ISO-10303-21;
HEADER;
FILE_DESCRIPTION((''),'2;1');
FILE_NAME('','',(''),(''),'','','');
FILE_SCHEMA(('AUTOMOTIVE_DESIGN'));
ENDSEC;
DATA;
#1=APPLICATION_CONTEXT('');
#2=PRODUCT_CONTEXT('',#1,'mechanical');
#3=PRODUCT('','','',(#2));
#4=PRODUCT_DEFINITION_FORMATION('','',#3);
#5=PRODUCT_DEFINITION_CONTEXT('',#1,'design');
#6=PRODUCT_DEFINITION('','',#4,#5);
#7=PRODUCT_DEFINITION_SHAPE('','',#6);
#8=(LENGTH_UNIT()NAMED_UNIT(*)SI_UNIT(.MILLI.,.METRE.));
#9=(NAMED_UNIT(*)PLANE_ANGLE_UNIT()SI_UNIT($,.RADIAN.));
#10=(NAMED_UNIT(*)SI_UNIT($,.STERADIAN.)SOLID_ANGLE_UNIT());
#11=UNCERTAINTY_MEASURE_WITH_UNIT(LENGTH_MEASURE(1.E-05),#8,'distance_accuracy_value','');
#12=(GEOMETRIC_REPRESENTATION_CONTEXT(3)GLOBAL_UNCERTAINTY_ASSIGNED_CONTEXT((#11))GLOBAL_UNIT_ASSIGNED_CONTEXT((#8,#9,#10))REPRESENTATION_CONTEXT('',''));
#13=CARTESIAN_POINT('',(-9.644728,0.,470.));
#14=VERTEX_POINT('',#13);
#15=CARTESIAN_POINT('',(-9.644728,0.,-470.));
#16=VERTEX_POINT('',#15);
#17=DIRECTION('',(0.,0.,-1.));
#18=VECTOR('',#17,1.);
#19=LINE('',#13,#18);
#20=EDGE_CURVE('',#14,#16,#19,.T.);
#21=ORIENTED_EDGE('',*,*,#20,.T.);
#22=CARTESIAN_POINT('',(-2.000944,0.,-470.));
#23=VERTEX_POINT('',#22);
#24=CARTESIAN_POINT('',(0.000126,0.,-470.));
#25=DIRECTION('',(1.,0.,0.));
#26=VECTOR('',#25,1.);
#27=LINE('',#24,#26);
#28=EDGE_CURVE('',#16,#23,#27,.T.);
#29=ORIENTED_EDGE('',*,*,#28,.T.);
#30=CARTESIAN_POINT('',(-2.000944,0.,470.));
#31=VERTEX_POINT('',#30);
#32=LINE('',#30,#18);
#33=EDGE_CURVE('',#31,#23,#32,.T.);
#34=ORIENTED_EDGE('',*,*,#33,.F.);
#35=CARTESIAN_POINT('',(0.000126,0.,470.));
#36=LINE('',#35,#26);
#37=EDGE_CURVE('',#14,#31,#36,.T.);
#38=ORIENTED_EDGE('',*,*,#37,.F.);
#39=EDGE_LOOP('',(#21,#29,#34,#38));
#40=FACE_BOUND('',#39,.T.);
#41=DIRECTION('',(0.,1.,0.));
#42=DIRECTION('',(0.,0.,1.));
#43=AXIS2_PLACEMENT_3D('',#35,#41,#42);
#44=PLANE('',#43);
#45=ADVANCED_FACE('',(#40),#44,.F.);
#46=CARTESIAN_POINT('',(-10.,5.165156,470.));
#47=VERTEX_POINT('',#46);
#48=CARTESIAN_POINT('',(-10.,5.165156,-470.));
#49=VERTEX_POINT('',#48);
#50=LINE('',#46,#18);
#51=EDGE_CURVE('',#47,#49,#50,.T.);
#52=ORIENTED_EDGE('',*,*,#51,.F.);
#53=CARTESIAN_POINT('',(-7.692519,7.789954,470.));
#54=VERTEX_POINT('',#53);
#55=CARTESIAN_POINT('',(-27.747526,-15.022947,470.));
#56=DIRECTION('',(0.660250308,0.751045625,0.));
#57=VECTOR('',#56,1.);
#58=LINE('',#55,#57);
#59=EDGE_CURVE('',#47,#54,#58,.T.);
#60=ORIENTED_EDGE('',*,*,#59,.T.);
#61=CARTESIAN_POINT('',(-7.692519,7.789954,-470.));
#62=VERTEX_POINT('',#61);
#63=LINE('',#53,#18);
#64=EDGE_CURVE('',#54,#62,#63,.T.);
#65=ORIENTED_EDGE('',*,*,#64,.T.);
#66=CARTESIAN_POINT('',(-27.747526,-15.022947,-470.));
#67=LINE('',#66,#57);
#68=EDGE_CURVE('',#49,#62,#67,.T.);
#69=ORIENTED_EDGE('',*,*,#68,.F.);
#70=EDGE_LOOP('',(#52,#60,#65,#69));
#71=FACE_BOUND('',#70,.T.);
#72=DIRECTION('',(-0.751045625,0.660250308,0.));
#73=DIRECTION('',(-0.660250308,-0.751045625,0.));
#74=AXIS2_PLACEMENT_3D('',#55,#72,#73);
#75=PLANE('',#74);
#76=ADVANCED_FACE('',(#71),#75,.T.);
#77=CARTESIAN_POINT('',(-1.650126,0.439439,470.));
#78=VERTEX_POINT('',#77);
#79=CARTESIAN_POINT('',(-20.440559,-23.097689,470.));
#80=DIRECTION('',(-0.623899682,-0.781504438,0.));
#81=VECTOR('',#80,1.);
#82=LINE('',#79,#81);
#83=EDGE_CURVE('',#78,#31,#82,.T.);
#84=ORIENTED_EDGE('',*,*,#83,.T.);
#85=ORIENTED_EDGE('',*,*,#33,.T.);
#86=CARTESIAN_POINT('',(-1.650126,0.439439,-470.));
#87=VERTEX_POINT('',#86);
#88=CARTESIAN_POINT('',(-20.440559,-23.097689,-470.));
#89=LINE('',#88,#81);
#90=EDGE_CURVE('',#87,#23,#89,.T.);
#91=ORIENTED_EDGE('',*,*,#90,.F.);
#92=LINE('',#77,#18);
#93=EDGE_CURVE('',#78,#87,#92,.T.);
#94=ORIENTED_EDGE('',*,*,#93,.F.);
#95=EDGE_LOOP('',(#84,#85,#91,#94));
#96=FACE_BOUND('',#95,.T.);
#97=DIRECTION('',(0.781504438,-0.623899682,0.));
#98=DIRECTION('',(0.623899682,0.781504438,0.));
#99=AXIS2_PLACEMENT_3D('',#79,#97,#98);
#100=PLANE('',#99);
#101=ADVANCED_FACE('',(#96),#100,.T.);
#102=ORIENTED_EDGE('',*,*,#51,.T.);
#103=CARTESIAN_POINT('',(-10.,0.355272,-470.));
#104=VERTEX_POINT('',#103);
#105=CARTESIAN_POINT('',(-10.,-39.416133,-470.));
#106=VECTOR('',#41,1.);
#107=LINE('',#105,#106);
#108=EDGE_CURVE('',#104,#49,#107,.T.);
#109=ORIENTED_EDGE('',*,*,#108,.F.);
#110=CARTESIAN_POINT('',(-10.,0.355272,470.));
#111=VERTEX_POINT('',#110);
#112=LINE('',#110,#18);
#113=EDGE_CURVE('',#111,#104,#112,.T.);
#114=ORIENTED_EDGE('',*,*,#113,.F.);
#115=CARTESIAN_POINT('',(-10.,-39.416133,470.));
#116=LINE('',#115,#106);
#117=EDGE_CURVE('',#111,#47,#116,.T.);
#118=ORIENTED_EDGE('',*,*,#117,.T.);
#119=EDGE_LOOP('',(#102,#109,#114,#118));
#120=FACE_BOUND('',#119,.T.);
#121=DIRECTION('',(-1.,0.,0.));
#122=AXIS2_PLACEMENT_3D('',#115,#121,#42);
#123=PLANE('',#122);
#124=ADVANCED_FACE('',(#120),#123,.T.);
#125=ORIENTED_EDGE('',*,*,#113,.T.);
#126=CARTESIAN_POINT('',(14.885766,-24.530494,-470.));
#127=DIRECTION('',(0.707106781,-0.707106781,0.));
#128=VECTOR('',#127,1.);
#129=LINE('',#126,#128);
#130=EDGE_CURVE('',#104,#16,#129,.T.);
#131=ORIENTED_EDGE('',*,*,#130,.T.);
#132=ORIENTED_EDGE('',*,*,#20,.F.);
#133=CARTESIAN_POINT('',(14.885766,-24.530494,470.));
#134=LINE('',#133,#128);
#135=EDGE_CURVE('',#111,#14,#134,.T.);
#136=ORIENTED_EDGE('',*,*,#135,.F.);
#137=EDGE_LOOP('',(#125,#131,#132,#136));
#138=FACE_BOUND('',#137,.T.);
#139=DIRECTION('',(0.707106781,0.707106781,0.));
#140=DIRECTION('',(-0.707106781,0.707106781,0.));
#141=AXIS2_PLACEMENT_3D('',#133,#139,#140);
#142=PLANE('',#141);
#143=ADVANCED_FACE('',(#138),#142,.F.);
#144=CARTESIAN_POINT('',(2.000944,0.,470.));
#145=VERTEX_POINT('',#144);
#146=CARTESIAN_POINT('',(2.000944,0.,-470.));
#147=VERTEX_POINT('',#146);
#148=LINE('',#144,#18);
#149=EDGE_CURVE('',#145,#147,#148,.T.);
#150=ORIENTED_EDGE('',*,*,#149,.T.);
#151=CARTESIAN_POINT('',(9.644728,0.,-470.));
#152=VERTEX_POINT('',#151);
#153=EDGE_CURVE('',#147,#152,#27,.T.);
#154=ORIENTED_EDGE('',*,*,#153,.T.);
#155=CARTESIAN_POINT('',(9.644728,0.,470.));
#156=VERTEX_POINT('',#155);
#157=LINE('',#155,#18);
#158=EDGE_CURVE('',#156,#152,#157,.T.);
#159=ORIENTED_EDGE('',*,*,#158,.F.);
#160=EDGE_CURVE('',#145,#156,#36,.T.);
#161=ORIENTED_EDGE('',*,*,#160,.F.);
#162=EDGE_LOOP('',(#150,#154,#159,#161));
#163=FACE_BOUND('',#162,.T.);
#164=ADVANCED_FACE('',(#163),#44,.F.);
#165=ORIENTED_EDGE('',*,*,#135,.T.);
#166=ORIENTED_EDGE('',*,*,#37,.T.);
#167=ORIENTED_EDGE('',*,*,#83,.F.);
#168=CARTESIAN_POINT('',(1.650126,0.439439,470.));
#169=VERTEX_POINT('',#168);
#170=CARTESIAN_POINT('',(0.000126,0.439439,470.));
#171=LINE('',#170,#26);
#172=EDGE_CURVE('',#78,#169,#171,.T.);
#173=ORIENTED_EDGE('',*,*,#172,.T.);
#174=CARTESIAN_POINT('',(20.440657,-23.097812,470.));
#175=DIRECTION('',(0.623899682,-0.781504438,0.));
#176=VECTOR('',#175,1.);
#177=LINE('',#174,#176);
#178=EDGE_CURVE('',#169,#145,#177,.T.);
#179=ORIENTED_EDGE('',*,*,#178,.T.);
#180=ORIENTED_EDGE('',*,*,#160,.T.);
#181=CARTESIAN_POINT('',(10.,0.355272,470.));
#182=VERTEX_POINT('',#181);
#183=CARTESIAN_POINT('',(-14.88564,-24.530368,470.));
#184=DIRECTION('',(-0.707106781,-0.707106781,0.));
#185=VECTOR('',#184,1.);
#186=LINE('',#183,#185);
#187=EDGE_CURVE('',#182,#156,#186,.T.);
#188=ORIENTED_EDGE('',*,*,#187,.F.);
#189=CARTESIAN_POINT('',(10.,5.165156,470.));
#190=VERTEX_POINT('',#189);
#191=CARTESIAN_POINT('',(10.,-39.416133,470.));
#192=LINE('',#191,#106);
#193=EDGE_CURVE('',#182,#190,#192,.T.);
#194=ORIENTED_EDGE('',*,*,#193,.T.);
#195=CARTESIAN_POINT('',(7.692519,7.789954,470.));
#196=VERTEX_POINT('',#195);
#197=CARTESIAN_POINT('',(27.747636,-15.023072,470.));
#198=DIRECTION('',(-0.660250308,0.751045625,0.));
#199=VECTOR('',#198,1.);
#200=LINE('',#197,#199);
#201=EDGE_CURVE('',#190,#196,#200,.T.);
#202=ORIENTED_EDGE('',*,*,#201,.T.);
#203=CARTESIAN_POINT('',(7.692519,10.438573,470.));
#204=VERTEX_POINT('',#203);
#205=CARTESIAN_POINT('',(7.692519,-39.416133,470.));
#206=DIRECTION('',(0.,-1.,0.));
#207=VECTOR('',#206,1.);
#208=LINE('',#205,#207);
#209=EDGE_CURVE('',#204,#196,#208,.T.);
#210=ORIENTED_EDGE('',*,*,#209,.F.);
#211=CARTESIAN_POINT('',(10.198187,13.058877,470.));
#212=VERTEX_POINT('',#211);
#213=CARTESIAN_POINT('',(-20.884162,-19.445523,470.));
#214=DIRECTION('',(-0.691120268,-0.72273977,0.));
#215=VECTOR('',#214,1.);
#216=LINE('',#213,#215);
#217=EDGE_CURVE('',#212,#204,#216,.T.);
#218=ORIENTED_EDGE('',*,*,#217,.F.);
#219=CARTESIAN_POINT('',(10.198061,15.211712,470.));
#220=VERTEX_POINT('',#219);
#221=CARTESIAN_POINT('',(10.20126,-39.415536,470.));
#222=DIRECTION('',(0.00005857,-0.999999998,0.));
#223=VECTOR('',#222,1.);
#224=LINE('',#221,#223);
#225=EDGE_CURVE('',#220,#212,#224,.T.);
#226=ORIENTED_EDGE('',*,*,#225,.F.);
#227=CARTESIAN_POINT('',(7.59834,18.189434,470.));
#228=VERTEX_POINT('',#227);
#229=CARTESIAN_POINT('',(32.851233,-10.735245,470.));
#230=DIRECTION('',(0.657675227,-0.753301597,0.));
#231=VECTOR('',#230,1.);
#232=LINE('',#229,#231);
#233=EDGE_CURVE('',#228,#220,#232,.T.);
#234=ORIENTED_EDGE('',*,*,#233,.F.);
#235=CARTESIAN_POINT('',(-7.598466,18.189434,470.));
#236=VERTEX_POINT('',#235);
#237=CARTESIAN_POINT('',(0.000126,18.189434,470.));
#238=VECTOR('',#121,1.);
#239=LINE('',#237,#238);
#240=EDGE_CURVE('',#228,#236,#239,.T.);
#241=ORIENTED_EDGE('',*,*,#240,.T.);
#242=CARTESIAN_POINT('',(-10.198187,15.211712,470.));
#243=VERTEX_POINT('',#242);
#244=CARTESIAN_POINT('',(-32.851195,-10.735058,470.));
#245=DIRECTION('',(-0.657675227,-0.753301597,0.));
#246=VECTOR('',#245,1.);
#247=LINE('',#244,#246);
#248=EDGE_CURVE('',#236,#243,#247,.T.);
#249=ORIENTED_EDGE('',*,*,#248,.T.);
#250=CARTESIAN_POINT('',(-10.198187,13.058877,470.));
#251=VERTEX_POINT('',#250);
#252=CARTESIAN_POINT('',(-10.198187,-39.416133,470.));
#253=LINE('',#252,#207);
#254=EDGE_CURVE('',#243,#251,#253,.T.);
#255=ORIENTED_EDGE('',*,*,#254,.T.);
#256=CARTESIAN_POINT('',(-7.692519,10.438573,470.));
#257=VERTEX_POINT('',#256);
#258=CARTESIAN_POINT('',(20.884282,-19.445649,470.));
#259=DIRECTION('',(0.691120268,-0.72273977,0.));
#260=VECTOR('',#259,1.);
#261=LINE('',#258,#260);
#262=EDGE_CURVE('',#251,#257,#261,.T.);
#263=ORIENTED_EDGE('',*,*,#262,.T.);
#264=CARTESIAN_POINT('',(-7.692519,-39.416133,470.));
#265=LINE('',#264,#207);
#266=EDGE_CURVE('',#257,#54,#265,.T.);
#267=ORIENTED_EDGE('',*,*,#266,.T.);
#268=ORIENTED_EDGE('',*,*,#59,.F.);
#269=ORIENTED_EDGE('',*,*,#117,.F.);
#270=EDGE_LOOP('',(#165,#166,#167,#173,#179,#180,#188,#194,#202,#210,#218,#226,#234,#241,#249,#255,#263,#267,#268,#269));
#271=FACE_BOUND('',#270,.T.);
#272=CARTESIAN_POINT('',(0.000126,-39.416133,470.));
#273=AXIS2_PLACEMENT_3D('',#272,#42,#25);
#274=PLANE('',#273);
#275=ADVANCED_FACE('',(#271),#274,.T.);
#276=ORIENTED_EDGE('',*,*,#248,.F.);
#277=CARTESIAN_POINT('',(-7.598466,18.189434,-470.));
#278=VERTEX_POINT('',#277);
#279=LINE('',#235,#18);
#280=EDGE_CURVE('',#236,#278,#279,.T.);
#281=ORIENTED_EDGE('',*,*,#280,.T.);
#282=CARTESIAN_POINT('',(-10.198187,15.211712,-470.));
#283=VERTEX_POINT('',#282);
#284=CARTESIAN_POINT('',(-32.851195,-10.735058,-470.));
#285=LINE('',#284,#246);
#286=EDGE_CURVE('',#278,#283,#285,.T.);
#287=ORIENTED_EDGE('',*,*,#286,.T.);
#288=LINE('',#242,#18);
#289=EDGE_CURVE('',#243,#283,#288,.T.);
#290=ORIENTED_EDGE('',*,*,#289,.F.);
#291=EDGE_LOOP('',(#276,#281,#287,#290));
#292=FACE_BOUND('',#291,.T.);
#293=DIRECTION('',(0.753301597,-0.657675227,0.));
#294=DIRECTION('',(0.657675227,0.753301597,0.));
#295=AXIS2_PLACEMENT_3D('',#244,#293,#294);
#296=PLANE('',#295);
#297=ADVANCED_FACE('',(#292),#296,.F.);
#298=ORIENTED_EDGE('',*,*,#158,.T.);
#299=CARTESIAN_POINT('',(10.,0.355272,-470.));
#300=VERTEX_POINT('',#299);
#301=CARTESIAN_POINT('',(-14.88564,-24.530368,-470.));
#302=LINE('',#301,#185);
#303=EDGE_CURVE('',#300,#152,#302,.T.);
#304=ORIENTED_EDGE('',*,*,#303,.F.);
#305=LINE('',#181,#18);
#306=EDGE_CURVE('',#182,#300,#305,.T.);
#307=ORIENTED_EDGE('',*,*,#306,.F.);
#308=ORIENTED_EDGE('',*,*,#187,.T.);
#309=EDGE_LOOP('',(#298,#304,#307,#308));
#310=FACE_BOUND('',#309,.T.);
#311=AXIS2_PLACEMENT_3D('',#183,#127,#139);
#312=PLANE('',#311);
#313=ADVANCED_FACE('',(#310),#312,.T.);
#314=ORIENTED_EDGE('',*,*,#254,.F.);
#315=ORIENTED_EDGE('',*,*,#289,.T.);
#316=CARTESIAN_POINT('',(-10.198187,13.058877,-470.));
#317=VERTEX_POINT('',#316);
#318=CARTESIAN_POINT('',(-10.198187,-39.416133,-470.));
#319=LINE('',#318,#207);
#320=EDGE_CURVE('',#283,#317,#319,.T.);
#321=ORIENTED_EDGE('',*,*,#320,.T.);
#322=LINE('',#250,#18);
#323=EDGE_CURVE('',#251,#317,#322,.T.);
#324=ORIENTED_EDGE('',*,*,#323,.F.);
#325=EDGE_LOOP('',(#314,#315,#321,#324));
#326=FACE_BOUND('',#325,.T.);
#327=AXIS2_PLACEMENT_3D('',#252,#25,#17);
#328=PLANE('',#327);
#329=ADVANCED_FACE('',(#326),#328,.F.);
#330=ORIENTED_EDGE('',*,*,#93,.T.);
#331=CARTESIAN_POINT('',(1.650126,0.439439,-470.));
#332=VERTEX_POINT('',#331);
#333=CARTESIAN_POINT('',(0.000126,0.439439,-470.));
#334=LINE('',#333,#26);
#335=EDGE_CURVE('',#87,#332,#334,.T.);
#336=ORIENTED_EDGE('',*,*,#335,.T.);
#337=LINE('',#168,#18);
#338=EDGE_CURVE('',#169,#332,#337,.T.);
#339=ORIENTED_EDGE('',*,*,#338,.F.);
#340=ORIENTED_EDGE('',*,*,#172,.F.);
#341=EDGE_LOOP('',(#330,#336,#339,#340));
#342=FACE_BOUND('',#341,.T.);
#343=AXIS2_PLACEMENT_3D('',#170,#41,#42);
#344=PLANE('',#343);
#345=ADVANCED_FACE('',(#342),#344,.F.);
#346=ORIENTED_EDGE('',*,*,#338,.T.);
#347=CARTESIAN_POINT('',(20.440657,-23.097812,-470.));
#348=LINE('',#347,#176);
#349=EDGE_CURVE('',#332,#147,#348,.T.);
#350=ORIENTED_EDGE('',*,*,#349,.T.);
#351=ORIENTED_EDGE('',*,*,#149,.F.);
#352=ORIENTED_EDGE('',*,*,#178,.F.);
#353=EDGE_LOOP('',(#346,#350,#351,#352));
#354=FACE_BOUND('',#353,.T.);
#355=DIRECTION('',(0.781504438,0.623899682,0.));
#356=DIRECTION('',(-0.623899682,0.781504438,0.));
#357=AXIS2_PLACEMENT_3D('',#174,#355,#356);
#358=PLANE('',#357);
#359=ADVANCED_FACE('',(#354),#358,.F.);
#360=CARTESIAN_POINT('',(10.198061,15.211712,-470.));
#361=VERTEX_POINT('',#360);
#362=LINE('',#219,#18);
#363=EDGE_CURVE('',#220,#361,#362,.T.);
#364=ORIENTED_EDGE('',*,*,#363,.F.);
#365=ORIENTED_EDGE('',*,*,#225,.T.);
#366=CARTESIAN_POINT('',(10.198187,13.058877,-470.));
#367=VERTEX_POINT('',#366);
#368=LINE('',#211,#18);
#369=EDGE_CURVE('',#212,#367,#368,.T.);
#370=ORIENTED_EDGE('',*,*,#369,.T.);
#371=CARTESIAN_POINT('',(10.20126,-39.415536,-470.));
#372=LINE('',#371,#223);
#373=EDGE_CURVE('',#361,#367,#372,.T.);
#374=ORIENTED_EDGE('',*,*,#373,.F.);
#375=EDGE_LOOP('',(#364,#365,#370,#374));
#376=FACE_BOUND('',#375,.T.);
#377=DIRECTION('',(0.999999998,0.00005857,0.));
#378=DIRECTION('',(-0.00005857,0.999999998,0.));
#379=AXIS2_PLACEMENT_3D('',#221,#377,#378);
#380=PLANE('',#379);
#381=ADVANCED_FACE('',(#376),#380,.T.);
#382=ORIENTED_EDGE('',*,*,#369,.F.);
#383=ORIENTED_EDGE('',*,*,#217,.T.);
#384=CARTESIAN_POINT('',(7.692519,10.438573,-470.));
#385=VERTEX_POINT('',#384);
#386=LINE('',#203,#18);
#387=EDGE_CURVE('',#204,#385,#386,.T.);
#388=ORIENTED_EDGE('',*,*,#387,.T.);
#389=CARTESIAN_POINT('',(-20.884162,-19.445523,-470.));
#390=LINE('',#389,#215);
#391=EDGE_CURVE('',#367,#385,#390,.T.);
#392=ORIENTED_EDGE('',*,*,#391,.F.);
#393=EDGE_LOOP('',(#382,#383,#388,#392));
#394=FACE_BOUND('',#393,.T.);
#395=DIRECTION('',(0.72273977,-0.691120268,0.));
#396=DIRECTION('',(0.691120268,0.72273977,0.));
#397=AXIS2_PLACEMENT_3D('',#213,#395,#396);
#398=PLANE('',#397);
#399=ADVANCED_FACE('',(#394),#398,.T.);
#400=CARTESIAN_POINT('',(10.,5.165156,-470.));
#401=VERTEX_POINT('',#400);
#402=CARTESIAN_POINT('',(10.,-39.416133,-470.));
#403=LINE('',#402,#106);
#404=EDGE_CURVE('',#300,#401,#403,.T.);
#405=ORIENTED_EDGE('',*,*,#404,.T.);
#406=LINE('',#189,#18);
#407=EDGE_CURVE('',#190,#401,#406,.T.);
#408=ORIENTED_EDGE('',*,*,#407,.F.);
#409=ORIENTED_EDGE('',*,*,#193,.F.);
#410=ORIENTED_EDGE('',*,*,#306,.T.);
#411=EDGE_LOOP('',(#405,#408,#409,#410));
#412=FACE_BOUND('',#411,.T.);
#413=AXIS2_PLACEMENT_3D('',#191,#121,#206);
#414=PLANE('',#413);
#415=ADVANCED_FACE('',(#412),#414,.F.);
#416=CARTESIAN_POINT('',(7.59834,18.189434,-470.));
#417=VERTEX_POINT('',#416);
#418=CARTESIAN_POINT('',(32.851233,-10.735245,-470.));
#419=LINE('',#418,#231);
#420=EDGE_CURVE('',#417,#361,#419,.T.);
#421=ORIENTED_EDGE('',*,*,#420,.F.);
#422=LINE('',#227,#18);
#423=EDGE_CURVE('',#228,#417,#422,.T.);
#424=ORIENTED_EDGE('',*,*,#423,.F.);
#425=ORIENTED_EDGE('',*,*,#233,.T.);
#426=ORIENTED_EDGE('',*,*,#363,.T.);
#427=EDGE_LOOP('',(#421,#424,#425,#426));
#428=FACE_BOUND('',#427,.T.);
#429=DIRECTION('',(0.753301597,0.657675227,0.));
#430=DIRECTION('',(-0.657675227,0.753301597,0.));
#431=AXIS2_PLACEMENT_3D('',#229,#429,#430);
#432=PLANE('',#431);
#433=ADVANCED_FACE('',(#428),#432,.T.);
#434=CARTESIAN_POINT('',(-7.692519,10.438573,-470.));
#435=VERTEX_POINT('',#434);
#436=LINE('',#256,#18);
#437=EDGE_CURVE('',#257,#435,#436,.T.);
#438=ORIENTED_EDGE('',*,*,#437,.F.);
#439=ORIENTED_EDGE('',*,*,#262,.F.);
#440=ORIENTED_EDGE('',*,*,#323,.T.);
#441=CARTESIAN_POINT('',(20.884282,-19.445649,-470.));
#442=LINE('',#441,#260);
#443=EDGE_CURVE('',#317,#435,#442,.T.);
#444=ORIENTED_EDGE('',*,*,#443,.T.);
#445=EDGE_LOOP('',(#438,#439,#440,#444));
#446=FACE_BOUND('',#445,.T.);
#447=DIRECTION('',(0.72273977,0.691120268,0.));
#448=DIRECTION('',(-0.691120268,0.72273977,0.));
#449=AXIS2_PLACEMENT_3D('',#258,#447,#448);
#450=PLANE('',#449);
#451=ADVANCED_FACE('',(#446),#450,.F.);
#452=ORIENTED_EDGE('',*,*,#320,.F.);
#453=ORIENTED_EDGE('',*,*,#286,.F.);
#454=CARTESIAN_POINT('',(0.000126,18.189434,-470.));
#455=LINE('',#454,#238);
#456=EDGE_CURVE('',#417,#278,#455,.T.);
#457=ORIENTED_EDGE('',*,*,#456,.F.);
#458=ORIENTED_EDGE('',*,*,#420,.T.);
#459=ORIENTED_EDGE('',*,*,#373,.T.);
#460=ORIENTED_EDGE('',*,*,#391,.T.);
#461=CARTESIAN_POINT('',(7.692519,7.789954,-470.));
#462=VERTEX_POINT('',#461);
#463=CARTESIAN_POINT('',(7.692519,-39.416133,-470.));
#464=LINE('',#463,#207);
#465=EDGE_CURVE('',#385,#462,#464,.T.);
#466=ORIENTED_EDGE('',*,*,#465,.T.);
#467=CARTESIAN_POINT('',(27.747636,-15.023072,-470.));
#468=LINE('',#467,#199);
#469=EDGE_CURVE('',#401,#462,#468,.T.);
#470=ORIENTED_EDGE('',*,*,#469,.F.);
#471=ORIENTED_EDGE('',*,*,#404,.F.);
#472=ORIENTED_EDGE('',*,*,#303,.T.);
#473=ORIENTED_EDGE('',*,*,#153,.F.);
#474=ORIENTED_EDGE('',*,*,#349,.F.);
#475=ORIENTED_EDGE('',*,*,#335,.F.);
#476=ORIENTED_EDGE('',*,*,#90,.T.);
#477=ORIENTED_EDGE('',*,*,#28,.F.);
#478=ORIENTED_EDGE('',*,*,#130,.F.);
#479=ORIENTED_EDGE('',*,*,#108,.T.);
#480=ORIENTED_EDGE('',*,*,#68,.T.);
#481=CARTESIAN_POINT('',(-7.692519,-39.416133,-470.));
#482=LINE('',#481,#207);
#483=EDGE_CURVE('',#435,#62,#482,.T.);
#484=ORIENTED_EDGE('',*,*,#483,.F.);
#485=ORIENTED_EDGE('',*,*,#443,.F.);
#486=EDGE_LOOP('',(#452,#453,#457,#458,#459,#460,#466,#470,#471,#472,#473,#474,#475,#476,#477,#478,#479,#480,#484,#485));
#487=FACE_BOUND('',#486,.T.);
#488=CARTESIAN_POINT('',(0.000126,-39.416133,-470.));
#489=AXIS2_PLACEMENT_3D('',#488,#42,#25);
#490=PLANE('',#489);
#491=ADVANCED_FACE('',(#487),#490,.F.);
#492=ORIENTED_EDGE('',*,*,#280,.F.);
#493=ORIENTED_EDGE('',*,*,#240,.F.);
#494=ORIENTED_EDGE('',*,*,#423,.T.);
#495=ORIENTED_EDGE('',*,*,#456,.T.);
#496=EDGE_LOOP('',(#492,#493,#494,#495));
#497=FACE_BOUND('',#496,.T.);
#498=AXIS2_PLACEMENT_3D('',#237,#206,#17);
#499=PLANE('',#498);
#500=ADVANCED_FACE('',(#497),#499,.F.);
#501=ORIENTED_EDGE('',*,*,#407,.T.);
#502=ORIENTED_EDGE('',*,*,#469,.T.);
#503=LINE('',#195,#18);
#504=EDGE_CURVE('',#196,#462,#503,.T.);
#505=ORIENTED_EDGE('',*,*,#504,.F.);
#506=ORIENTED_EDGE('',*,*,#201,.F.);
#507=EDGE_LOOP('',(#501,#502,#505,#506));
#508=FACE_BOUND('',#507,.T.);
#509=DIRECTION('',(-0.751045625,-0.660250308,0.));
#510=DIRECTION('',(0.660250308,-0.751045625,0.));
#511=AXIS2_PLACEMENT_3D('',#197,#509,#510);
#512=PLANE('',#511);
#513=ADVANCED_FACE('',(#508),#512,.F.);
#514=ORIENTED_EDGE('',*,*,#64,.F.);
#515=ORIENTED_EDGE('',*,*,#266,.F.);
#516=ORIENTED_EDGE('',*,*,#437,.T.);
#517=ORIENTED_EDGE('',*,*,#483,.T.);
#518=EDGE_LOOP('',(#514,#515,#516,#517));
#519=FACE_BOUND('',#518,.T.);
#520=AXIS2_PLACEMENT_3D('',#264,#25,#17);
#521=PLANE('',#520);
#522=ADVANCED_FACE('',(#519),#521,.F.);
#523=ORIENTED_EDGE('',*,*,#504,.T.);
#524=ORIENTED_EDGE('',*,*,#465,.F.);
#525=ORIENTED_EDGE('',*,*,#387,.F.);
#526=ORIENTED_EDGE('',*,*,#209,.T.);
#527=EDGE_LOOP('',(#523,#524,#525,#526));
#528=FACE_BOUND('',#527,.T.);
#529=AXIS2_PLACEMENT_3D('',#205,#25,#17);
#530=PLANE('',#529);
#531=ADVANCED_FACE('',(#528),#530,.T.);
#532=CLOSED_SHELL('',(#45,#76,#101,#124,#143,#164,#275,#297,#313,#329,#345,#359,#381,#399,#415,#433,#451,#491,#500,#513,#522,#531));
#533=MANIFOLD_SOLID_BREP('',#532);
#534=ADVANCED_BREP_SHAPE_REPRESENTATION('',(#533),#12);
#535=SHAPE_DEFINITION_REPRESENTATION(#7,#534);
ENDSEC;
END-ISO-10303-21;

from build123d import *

# Parameters (mm, degrees)
EXTRUDE_1_DEPTH = 470


with BuildPart() as part:
    # 草图1 → 凸台-拉伸1 (new, symmetric)
    with BuildSketch(Plane.XY):
        Polygon((10.198060517, 15.211712223), (7.598340067, 18.189433578), (0, 18.189433578), (-7.598466158, 18.189433578), (-10.198186608, 15.211712223), (-10.198186608, 13.058876879), (-7.692519459, 10.438572741), (-7.692519459, 7.789953693), (-10, 5.165156487), (-10, 5.000194017), (-10, 0.355272087), (-9.644727913, 0), (-2.000943933, 0), (-1.650125997, 0.439438875), (1.650125997, 0.439438875), (2.000943933, 0), (9.644727913, 0), (10, 0.355272087), (10, 5.00019402), (10, 5.165156487), (7.692519459, 7.789953693), (7.692519459, 10.438572741), (10.198186608, 13.058876879), align=None)
    extrude(amount=EXTRUDE_1_DEPTH, both=True)


solid = part.part
